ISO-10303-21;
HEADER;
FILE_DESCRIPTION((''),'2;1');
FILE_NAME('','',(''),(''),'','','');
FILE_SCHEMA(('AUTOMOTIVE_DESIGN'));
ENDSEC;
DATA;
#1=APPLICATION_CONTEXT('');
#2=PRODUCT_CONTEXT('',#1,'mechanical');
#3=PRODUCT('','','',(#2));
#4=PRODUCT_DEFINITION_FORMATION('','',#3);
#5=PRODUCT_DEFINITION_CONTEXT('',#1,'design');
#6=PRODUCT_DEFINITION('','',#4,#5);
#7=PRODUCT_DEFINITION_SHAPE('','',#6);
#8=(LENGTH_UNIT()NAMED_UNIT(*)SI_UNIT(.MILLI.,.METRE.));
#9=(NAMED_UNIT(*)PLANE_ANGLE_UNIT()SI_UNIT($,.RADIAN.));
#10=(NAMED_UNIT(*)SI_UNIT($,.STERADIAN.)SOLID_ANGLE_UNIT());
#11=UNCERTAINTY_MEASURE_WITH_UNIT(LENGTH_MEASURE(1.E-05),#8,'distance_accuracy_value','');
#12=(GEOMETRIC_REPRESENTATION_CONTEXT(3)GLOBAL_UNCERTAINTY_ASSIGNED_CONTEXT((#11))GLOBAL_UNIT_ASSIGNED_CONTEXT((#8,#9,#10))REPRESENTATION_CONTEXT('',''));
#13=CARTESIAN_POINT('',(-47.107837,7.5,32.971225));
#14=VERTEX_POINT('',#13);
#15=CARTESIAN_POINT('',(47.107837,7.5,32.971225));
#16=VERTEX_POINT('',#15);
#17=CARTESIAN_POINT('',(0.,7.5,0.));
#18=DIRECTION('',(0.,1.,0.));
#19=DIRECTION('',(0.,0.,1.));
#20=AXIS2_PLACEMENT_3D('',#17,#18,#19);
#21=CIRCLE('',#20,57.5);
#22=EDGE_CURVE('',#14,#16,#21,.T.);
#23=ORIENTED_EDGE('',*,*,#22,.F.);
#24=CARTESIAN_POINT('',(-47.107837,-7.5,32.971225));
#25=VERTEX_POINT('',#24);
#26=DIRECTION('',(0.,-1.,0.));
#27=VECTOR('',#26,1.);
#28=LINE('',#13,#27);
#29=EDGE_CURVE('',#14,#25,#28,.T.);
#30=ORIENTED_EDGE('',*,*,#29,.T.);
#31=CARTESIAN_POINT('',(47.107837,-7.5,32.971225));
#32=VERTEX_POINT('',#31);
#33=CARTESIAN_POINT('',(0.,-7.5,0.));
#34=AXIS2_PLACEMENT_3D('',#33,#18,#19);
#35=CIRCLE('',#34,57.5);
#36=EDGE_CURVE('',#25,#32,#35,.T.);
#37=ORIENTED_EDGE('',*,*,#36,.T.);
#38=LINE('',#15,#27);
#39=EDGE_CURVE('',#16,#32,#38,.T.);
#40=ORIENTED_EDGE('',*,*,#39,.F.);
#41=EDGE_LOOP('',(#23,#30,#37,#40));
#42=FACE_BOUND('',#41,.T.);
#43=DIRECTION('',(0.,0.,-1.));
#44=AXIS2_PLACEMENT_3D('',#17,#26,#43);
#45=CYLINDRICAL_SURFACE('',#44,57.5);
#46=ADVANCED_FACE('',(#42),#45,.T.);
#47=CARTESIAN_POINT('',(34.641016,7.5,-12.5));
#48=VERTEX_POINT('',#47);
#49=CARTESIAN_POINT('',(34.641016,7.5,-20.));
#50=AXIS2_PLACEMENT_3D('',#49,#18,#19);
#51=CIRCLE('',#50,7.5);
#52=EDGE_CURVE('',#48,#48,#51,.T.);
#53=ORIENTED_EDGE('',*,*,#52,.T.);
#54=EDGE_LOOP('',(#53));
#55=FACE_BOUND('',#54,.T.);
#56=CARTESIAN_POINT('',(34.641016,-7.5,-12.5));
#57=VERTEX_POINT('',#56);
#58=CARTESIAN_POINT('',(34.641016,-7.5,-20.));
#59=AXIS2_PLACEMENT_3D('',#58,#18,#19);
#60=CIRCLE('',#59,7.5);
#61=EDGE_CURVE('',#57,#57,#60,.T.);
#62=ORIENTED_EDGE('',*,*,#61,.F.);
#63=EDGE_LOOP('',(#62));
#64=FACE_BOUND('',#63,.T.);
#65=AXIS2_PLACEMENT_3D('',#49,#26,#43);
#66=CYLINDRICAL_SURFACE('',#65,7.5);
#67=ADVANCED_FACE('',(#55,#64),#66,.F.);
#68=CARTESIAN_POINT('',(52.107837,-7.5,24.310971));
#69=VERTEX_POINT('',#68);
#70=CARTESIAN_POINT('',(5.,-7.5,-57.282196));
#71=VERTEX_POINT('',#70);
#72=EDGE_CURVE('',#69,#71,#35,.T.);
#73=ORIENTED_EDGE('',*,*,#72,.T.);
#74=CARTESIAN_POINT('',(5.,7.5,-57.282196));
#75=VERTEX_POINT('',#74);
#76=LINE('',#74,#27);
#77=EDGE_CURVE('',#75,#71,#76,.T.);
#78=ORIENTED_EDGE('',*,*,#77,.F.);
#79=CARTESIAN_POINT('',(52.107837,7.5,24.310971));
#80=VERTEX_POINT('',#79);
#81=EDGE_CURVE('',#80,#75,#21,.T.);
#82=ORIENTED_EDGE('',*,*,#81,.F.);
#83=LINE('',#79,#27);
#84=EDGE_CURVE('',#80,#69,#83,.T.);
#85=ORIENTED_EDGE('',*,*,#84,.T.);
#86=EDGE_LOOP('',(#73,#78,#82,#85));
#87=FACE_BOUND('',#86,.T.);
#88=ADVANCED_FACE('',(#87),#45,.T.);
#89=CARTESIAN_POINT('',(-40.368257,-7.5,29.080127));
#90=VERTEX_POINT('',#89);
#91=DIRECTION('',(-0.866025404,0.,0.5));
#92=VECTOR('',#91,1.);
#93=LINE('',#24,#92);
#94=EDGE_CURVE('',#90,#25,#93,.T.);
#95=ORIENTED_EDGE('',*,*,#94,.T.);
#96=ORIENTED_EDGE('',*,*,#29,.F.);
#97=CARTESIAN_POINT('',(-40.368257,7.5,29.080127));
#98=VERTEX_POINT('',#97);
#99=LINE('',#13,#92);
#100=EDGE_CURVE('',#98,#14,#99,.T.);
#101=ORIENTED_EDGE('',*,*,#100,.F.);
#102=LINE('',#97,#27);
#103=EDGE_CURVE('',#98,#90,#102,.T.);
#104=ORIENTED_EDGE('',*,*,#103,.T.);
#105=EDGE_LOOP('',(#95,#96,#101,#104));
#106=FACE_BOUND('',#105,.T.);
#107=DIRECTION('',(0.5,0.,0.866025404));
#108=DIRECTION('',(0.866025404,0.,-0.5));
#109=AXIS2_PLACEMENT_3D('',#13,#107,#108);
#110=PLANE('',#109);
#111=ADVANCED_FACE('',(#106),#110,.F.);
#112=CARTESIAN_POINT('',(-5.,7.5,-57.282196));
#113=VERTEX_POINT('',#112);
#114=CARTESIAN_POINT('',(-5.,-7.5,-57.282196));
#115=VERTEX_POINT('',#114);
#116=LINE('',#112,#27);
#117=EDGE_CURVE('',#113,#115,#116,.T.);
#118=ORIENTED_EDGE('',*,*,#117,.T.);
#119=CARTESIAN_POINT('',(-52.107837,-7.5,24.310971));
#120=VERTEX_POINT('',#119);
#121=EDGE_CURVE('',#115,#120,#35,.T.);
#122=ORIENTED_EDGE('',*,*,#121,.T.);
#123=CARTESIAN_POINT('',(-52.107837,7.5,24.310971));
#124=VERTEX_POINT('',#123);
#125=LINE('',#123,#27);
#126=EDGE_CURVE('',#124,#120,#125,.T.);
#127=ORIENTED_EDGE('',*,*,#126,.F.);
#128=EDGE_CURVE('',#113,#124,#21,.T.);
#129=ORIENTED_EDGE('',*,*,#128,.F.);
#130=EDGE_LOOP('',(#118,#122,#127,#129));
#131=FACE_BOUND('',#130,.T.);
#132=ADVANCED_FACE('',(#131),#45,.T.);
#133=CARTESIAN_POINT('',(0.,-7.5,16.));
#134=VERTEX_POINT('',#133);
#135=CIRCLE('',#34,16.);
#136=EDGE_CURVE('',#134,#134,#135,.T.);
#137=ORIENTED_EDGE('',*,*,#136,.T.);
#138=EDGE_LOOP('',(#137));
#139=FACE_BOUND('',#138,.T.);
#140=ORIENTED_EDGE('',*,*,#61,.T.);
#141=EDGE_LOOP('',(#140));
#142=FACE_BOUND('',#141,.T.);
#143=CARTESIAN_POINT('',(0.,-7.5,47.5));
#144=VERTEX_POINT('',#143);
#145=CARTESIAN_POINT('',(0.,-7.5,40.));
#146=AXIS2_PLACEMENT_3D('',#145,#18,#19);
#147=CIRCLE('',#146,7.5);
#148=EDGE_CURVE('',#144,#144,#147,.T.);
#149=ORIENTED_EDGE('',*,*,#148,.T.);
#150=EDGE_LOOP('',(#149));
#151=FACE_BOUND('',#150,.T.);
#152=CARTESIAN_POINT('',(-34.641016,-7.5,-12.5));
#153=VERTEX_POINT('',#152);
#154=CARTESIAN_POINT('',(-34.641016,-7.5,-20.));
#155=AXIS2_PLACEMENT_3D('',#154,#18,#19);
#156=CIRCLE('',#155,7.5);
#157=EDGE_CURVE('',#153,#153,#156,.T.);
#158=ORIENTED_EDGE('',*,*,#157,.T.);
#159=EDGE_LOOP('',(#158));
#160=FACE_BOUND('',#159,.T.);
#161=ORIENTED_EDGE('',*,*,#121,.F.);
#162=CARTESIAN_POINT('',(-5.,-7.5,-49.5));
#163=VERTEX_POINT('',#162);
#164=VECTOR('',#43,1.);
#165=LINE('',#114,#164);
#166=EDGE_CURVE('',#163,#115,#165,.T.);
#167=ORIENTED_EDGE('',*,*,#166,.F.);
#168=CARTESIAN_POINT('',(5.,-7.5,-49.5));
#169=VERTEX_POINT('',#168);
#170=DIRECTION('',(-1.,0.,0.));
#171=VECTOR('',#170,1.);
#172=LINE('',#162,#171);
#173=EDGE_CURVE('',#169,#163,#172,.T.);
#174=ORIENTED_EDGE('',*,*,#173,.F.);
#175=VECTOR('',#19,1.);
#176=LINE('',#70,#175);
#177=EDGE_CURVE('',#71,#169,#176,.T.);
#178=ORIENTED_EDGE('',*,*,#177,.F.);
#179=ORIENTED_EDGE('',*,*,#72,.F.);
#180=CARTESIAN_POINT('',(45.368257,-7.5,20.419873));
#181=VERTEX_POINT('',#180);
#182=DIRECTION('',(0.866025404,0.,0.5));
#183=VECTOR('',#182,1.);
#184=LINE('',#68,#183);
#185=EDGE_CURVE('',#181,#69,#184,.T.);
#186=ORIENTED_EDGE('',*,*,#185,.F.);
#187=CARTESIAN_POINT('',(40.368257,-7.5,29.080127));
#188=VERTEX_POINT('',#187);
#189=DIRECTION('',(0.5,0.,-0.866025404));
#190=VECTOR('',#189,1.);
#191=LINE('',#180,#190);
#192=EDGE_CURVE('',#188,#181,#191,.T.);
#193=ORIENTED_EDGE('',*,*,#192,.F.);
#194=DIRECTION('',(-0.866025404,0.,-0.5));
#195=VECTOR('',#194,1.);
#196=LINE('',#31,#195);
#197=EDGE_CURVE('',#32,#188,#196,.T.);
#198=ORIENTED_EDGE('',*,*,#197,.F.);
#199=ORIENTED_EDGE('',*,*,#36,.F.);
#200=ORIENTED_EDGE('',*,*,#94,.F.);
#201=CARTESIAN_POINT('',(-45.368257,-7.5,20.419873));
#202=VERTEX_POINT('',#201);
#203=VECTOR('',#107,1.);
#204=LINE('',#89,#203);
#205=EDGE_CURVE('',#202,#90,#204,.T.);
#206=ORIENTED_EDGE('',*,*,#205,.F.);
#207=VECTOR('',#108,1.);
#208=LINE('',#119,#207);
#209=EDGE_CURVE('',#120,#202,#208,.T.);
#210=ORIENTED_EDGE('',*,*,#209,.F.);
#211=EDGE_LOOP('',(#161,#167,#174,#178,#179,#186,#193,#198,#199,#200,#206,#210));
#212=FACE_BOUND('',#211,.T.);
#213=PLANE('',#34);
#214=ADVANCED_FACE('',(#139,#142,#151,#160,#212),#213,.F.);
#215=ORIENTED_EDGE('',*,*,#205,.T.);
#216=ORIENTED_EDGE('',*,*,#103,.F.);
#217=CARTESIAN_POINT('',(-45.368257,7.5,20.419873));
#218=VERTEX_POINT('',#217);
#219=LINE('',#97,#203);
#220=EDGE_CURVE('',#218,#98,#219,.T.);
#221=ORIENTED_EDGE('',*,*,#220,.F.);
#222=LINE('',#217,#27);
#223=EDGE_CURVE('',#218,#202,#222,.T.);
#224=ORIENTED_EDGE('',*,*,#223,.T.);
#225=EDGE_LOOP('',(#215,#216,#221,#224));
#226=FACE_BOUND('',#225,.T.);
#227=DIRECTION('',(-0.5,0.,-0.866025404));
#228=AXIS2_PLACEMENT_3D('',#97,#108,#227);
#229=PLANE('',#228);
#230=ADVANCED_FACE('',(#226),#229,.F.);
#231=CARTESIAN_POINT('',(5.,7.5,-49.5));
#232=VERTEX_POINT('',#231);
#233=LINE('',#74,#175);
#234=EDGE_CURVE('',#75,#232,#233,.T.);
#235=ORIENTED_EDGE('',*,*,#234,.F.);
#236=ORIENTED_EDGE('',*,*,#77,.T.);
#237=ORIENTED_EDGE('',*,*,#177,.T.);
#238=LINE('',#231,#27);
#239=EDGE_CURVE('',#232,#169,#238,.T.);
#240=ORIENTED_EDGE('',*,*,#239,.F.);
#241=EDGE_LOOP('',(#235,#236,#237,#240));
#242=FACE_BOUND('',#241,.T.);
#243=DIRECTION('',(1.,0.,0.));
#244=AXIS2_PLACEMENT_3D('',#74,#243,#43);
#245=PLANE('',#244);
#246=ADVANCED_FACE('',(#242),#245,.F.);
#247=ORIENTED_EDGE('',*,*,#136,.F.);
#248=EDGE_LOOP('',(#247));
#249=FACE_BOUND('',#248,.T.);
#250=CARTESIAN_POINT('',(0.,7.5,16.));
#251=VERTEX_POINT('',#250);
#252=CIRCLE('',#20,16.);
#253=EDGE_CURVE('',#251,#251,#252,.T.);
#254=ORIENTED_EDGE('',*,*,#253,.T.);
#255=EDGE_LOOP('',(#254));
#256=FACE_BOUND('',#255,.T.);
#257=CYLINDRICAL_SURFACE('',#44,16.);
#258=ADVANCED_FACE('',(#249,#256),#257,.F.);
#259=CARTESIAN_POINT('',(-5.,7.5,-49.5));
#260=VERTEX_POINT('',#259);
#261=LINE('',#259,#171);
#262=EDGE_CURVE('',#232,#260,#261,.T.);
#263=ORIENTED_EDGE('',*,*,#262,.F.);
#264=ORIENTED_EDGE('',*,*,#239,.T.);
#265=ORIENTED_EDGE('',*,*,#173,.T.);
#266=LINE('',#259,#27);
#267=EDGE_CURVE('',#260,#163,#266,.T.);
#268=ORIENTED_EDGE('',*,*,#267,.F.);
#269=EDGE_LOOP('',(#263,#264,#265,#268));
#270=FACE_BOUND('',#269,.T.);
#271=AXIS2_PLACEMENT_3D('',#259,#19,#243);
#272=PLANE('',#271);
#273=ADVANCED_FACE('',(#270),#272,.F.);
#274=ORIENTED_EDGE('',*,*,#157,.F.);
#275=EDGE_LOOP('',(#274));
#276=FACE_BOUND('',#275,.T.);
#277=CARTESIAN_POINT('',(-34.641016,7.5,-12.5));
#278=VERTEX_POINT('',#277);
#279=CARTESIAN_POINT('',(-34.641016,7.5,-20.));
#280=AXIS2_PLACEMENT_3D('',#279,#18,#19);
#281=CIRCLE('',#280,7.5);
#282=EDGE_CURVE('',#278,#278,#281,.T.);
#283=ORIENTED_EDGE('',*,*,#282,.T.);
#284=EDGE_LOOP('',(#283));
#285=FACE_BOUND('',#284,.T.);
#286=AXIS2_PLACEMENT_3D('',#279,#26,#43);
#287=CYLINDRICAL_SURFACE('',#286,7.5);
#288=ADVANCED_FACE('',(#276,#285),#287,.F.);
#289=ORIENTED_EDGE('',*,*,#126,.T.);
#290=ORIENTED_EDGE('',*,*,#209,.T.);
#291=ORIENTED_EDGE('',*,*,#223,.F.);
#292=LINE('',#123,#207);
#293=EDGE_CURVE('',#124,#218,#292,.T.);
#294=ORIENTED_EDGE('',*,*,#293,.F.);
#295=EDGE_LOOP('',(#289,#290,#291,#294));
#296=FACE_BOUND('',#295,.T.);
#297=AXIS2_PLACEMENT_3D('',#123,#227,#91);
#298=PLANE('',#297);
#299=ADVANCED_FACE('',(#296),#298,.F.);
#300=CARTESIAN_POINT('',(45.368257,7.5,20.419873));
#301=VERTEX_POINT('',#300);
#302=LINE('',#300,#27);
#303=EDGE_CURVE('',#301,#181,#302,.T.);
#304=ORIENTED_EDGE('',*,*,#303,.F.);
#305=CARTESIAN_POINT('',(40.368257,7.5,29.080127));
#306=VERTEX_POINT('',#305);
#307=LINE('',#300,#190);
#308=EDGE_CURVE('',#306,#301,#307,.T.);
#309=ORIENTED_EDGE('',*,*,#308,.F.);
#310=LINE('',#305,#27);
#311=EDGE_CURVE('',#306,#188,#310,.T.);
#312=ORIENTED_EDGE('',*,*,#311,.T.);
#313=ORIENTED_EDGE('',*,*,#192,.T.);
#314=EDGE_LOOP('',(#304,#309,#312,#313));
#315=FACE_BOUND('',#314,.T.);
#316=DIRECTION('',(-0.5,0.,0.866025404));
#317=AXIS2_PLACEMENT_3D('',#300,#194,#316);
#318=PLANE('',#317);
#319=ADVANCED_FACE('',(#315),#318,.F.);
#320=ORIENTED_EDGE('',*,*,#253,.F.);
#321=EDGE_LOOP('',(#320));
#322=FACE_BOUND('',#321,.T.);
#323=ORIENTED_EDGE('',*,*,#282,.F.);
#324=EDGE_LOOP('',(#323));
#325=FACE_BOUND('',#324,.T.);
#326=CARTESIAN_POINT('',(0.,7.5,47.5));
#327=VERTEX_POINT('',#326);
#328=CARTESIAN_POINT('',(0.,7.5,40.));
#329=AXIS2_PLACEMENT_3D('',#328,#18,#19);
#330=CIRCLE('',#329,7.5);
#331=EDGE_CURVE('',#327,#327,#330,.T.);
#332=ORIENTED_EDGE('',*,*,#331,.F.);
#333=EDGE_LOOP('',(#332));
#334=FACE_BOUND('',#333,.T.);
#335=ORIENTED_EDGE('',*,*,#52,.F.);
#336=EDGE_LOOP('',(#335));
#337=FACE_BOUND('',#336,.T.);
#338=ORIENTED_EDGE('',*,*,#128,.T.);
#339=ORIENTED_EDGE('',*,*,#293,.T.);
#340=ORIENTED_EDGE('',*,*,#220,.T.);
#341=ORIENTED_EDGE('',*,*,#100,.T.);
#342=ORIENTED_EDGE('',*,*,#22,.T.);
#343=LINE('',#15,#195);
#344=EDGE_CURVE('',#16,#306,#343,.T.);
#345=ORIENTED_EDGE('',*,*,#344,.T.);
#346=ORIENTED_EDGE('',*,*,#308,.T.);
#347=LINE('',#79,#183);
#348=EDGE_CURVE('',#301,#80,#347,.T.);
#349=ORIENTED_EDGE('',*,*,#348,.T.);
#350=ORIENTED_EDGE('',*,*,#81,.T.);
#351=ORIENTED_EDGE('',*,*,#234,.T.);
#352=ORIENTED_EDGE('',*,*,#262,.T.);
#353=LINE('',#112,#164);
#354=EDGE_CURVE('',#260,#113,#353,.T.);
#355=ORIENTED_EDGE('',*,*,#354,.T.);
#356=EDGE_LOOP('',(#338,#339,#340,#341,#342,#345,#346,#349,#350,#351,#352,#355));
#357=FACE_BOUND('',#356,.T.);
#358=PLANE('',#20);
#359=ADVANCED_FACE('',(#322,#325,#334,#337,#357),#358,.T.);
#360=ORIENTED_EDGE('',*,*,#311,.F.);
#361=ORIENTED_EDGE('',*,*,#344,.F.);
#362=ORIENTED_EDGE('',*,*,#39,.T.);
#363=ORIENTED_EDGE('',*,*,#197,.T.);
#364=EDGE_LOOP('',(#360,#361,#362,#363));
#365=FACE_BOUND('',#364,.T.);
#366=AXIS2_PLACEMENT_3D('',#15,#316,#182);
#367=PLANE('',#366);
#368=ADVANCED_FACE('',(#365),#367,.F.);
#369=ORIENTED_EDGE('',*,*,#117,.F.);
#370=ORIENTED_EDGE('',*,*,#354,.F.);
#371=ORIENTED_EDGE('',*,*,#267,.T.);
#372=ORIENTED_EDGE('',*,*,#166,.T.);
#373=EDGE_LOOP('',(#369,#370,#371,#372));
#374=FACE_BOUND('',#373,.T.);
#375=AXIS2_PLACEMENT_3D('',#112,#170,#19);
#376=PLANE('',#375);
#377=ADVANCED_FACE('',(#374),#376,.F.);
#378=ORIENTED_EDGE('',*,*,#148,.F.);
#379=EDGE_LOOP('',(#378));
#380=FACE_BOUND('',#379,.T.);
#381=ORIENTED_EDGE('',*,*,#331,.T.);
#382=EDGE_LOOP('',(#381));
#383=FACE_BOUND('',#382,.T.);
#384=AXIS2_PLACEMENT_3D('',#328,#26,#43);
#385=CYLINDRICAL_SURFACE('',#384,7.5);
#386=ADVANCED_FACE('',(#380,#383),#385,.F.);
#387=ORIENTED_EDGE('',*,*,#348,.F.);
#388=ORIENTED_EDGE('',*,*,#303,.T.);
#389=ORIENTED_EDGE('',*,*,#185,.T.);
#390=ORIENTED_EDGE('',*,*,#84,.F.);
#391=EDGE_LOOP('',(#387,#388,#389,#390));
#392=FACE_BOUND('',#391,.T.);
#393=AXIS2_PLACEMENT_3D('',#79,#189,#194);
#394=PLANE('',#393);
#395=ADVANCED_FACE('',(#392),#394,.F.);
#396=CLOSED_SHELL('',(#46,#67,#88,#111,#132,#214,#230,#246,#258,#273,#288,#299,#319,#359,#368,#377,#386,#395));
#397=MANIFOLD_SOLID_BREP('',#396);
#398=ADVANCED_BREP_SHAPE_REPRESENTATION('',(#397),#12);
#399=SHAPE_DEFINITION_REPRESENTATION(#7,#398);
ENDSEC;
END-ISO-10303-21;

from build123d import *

# Parameters (mm, degrees)
SKETCH1_R           = 16
SKETCH1_R_2         = 7.5
BOSS_EXTRUDE1_DEPTH = 7.5


with BuildPart() as part:
    # Sketch1 → Boss-Extrude1 (new body, symmetric)
    with BuildSketch(Plane(origin=(0, 0, 0), x_dir=(1, 0, 0), z_dir=(0, 1, 0))):
        with BuildLine():
            Line((52.107837082, -24.310971075), (45.368257487, -20.419872981))
            Line((45.368257487, -20.419872981), (40.368257487, -29.080127019))
            Line((40.368257487, -29.080127019), (47.107837082, -32.971225112))
            ThreePointArc((47.107837082, -32.971225112), (0, -57.5), (-47.107837082, -32.971225112))
            Line((-47.107837082, -32.971225112), (-40.368257487, -29.080127019))
            Line((-40.368257487, -29.080127019), (-45.368257487, -20.419872981))
            Line((-45.368257487, -20.419872981), (-52.107837082, -24.310971075))
            ThreePointArc((-52.107837082, -24.310971075), (-49.796460718, 28.75), (-5, 57.282196187))
            Line((-5, 57.282196187), (-5, 49.5))
            Line((-5, 49.5), (5, 49.5))
            Line((5, 49.5), (5, 57.282196187))
            ThreePointArc((5, 57.282196187), (49.796460718, 28.75), (52.107837082, -24.310971075))
        make_face()
        Circle(SKETCH1_R, mode=Mode.SUBTRACT)
        with Locations((0, -40)):
            Circle(SKETCH1_R_2, mode=Mode.SUBTRACT)
        with Locations((-34.641016151, 20)):
            Circle(SKETCH1_R_2, mode=Mode.SUBTRACT)
        with Locations((34.641016151, 20)):
            Circle(SKETCH1_R_2, mode=Mode.SUBTRACT)
    extrude(amount=BOSS_EXTRUDE1_DEPTH, both=True)


solid = part.part
